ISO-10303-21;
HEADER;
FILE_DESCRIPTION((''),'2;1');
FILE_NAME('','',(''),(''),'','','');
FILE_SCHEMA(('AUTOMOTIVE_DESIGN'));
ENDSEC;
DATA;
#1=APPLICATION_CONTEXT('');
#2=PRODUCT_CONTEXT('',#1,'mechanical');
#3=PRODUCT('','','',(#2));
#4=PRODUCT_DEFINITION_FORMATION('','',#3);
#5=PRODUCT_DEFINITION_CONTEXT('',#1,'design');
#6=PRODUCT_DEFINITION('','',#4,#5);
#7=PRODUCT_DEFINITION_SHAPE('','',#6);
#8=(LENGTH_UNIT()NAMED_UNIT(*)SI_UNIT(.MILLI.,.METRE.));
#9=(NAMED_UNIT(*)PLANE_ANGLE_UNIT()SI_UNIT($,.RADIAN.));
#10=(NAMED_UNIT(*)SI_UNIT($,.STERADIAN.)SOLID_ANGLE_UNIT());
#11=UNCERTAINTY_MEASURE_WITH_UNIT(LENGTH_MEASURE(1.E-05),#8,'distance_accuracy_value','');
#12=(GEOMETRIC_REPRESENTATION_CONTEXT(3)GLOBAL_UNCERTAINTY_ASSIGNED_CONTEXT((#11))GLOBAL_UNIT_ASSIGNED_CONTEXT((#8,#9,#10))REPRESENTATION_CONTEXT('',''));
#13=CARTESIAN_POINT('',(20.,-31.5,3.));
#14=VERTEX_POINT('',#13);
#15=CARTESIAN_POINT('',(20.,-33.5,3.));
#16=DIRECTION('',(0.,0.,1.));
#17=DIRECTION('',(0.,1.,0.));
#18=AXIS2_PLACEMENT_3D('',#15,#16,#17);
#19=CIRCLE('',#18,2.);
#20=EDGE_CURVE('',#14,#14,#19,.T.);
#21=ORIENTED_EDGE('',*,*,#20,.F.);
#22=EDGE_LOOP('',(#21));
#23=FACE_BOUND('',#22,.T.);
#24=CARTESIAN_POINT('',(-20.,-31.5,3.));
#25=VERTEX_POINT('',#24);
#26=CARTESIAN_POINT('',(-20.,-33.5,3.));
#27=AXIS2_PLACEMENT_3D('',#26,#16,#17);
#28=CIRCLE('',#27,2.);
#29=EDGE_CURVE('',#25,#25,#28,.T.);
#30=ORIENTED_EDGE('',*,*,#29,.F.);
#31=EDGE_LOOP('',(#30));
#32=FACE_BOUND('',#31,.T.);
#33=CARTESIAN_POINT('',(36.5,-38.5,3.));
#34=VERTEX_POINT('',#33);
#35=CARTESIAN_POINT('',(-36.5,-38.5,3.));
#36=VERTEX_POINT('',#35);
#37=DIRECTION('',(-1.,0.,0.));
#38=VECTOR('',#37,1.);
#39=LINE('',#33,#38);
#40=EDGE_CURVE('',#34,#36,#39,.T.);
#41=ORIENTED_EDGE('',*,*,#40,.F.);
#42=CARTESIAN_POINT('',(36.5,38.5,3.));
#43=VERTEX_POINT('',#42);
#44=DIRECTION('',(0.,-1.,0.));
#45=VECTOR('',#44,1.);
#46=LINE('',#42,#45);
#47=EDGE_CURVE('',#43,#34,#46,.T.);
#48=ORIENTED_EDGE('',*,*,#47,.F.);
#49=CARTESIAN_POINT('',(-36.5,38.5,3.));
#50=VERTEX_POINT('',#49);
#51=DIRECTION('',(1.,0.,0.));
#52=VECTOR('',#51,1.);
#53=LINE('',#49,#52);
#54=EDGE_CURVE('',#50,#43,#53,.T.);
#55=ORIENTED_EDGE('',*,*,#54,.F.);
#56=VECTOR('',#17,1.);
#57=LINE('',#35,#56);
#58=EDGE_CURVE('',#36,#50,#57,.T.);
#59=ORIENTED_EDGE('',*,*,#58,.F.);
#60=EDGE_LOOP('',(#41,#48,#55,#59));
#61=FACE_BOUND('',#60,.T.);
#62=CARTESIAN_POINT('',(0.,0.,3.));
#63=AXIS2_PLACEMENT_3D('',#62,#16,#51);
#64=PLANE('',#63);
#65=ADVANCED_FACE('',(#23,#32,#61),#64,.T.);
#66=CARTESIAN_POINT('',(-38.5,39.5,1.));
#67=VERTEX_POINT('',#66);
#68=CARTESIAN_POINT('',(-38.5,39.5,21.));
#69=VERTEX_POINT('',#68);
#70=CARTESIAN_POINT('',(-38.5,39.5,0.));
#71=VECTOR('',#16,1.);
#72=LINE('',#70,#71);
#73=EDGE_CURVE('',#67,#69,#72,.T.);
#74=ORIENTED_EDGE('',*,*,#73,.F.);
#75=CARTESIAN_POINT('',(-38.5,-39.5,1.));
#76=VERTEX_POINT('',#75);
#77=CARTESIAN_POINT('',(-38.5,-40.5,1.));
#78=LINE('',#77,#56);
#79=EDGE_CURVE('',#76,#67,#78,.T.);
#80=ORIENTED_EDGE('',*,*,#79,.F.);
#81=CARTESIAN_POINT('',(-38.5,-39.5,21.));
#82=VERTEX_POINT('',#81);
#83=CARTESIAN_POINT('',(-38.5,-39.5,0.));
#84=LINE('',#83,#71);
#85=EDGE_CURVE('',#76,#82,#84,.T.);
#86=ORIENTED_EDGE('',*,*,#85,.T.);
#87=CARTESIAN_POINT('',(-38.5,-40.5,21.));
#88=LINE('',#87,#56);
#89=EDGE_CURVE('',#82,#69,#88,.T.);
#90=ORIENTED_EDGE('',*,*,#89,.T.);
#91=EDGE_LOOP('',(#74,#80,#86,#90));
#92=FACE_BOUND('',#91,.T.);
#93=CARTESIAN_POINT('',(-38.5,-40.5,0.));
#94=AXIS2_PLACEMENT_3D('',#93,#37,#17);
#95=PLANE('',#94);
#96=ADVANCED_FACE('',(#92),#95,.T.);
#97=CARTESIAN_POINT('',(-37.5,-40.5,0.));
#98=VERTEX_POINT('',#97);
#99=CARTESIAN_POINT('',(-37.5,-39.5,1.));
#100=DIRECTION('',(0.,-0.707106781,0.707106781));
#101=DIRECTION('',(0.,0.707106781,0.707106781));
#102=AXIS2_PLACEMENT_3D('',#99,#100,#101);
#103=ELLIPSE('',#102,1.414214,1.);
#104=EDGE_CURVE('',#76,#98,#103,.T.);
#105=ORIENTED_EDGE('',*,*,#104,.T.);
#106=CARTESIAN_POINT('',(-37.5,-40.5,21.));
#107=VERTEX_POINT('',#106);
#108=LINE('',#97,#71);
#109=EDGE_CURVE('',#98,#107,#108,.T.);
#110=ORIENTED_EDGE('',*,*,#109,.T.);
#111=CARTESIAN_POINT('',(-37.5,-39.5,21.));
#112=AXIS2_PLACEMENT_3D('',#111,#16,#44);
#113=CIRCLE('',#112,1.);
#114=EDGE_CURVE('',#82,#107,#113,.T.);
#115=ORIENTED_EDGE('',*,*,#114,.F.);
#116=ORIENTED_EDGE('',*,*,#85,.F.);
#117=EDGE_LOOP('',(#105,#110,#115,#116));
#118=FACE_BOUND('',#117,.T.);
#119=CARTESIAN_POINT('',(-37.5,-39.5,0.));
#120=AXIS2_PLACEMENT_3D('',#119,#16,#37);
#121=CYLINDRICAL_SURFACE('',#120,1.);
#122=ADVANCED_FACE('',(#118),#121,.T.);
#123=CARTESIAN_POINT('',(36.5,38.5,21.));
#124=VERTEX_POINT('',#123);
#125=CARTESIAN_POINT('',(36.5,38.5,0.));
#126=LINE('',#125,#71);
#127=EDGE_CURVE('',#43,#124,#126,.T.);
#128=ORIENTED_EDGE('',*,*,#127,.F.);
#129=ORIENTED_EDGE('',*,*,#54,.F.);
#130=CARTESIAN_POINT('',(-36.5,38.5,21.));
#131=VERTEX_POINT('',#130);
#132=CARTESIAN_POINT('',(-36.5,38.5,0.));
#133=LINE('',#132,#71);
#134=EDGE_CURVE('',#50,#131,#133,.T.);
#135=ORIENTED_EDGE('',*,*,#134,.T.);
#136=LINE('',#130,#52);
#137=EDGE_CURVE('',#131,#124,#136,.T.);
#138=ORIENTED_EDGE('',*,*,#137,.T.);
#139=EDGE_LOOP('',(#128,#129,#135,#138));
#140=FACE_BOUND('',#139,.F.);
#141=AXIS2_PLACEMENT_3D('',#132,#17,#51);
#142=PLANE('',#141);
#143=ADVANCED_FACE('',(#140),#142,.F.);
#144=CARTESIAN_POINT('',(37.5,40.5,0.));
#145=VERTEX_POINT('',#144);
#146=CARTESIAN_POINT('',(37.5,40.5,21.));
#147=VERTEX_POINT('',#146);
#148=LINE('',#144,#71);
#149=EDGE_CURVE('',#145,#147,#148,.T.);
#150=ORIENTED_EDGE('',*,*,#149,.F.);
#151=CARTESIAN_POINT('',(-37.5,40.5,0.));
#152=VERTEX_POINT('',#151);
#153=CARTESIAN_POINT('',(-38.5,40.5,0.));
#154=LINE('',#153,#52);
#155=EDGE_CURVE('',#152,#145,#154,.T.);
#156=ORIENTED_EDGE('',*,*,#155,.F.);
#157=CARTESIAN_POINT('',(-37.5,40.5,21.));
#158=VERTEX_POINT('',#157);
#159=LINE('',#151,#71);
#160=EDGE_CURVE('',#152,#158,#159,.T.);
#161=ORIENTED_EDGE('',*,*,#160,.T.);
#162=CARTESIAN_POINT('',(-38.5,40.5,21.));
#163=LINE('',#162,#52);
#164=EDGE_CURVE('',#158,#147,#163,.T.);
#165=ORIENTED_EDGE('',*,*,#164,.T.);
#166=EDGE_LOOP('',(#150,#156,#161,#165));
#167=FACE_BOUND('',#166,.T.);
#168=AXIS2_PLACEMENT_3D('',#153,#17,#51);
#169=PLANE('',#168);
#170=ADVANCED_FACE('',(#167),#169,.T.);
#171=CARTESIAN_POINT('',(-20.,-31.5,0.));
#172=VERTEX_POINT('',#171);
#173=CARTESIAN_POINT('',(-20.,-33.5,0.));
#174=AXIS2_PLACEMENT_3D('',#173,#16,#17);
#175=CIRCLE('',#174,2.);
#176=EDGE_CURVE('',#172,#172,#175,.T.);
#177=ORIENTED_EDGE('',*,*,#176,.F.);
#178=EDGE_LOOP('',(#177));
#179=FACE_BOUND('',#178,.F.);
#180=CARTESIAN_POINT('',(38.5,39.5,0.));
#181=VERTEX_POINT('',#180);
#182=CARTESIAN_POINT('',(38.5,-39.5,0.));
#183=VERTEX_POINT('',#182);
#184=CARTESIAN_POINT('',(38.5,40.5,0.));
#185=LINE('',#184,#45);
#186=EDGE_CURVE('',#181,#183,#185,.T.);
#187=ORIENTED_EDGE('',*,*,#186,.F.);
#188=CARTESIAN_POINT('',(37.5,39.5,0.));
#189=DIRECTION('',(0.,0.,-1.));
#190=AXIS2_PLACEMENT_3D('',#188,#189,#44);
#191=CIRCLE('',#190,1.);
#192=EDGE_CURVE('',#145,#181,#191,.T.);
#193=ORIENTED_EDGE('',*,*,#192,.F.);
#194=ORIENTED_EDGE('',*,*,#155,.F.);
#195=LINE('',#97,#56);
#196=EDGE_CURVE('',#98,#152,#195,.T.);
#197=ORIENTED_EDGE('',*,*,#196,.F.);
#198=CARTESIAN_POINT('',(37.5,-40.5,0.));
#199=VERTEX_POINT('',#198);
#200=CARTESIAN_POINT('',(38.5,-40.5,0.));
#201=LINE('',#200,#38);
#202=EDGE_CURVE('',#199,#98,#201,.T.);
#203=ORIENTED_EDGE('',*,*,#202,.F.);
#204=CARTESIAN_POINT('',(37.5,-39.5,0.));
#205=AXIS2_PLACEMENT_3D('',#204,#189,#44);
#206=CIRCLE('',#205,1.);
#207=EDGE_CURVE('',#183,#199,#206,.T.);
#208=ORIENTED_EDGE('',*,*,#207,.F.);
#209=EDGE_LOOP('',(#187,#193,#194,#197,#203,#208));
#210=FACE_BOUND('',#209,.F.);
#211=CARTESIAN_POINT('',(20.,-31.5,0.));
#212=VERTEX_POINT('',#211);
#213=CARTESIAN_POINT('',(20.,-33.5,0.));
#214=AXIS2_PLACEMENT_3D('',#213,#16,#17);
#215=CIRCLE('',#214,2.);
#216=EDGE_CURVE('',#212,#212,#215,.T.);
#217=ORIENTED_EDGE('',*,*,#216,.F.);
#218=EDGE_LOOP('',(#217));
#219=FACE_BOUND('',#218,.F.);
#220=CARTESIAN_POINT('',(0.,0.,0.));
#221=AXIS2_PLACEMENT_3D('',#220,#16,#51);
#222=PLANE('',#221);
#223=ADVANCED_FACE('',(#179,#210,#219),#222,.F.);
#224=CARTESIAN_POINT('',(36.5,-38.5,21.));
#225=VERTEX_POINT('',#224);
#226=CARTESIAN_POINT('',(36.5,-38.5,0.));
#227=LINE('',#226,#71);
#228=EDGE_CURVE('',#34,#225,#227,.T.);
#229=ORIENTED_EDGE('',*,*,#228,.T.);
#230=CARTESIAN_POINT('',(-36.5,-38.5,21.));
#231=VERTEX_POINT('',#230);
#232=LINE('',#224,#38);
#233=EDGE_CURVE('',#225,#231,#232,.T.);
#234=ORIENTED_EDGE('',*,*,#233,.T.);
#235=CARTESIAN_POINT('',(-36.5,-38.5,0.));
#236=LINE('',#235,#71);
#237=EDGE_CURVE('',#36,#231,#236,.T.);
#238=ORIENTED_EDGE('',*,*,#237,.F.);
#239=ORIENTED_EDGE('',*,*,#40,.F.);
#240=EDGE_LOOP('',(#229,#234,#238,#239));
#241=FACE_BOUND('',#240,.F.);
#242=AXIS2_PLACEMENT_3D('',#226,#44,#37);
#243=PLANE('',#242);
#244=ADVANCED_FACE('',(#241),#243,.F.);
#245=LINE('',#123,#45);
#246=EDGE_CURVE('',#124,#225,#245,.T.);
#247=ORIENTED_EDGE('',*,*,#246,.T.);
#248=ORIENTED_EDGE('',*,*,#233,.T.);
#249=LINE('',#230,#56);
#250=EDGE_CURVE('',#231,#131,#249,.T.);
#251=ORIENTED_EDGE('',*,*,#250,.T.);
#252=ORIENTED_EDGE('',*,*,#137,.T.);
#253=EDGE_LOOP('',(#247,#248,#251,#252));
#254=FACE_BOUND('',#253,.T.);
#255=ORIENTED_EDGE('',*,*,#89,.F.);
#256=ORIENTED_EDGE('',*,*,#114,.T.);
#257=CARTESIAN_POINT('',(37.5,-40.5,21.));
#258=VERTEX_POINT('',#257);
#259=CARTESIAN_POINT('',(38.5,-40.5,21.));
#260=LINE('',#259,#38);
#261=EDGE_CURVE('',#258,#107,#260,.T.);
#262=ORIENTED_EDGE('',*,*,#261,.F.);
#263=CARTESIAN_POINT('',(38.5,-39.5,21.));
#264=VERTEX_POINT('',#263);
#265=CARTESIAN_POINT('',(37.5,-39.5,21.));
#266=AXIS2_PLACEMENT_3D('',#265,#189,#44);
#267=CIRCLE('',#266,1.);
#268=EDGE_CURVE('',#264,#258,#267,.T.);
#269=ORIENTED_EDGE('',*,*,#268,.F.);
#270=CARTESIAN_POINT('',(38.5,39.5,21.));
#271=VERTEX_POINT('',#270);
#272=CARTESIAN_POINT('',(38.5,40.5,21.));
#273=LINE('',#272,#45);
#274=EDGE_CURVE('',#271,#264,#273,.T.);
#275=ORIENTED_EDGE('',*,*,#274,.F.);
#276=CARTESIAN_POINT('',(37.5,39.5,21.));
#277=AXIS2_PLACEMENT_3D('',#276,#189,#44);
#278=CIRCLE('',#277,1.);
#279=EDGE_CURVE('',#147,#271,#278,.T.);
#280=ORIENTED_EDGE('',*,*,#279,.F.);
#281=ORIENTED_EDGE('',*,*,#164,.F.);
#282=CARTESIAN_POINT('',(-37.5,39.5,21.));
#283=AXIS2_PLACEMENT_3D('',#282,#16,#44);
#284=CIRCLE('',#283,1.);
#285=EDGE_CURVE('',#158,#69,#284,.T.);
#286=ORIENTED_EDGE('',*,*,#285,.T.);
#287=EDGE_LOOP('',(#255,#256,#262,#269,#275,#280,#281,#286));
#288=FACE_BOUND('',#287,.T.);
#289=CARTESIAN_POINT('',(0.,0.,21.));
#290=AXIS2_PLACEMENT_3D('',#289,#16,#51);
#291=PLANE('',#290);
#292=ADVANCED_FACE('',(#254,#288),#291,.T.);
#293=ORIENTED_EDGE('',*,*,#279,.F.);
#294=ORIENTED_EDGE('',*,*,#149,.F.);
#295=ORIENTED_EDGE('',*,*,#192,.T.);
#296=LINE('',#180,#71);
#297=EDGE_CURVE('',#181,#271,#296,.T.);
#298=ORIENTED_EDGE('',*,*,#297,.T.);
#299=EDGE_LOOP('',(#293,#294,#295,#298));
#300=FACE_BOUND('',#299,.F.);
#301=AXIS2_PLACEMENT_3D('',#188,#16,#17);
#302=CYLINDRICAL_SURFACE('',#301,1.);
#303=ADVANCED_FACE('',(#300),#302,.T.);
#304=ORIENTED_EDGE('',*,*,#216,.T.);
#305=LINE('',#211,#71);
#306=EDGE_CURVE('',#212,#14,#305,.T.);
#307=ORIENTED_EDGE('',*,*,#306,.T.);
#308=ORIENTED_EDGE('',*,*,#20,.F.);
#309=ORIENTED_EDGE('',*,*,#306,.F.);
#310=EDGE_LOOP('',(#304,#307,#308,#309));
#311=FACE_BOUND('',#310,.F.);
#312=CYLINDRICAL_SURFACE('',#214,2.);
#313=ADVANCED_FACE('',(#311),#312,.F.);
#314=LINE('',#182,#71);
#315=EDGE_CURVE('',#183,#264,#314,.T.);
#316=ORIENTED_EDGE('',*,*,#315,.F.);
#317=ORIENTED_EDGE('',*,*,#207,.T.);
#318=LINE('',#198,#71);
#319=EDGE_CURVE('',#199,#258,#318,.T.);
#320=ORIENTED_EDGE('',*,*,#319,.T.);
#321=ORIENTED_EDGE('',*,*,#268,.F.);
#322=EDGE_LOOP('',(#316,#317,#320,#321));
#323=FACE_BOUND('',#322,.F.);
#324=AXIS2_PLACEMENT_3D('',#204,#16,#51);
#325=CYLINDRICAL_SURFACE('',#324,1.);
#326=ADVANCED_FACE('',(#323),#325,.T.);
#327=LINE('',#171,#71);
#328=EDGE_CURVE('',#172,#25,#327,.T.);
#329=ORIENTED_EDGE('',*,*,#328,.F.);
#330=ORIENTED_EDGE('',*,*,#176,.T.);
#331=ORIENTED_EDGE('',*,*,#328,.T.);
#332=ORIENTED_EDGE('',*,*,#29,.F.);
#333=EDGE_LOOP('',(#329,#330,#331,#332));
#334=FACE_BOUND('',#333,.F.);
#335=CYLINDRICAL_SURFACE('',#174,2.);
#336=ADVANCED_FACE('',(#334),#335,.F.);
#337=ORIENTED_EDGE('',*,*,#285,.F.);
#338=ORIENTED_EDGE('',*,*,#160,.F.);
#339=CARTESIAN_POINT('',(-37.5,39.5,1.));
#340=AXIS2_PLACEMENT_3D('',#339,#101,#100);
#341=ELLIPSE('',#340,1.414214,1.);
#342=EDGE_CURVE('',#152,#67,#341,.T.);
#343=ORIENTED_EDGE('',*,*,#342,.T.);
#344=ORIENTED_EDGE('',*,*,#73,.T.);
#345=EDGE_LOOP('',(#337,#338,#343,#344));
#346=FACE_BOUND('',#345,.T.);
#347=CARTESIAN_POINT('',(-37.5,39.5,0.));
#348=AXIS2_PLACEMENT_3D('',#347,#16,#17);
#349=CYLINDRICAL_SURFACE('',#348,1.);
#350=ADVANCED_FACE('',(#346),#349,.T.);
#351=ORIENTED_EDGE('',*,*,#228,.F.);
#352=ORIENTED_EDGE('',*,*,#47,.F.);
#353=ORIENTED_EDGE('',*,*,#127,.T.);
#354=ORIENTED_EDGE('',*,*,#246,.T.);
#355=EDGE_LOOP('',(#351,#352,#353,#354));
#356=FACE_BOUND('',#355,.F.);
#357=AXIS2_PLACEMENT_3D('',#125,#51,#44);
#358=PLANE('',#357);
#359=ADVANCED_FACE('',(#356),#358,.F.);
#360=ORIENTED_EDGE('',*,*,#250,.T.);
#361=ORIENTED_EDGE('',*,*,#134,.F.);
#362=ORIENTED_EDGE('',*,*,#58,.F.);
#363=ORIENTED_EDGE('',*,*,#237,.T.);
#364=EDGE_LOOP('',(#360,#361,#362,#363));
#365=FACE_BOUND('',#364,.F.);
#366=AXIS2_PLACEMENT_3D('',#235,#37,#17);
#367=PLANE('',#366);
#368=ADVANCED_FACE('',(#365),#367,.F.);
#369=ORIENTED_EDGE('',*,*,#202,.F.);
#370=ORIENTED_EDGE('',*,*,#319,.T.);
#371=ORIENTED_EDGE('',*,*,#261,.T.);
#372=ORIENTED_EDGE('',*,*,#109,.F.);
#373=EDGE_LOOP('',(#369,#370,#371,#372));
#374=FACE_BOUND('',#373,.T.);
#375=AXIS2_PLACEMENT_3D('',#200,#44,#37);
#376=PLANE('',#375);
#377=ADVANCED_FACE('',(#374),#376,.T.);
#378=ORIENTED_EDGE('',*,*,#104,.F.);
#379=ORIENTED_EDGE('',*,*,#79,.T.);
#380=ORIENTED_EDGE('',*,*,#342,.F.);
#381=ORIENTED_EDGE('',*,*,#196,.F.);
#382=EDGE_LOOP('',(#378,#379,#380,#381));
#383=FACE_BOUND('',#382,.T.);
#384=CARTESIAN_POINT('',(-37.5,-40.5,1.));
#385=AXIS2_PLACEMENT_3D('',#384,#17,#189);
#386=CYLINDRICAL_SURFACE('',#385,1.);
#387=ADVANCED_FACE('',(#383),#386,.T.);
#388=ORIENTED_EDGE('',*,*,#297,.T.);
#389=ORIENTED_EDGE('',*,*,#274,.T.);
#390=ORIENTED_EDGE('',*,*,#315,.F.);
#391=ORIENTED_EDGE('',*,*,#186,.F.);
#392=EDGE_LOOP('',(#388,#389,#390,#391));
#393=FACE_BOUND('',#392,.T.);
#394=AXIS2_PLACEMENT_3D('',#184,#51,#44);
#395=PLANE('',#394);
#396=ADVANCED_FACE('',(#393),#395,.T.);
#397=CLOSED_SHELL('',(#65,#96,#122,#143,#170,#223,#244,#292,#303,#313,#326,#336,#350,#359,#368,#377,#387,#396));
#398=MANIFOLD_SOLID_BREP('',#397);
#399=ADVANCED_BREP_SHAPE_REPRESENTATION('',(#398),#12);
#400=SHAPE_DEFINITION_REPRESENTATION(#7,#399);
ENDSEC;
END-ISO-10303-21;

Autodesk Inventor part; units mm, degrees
ref_plane "YZ Plane" through (0, 0, 0) normal (1, 0, 0) x (0, 1, 0)
ref_plane "XZ Plane" through (0, 0, 0) normal (0, 1, 0) x (-1, 0, 0)
ref_plane "XY Plane" through (0, 0, 0) normal (0, 0, 1) x (1, 0, 0)
sketch "Sketch_BoxBase" plane through (0, 0, 0) normal (0, 0, 1) x (1, 0, 0)
  line L0 (0, 56.7) -> (0, -56.7) construction
  line L1 (-53.9, 0) -> (53.9, 0) construction
  line L2 (-36.5, 38.5) -> (36.5, 38.5)
  line L3 (36.5, 38.5) -> (36.5, -38.5)
  line L4 (36.5, -38.5) -> (-36.5, -38.5)
  line L5 (-36.5, -38.5) -> (-36.5, 38.5)
  line L6 (-36.5, 38.5) -> (36.5, -38.5) construction
  line L7 (36.5, 38.5) -> (-36.5, -38.5) construction
  line L8 (-38.5, 40.5) -> (38.5, 40.5)
  line L9 (38.5, 40.5) -> (38.5, -40.5)
  line L10 (38.5, -40.5) -> (-38.5, -40.5)
  line L11 (-38.5, -40.5) -> (-38.5, 40.5)
  line L12 (-38.5, 40.5) -> (38.5, -40.5) construction
  line L13 (38.5, 40.5) -> (-38.5, -40.5) construction
  point P0 (0, 0)
  point P1 (-20, -33.5)
  point P2 (20, -33.5)
  dimension "d4" = 73
  dimension "d5" = 77
  dimension "d6" = 77
  dimension "d7" = 81
  dimension "d23" = 40
  dimension "d24" = 20
  dimension "d25" = 7
  dimension "d26" = 7
extrude "Extr_Edge" add sketch "Sketch_BoxBase" along normal blind 21
extrude "Extr_Bottom" add sketch "Sketch_BoxBase" along normal blind 3 contours L2 L3 L4 L5
hole "Hole2" at (-20, -33.5, 0) at (20, -33.5, 0) direction (0, 0, 1) diameter 4 end through all
fillet "Fillet1" radius 1 1 edges at (38.5, 40.5, 10.5)
fillet "Fillet2" radius 1 4 edges at (-38.5, 40.5, 10.5) (-38.5, -40.5, 10.5) (38.5, -40.5, 10.5) (-38.5, 0, 0)
equation "\"d24\" = 0.5 * d23"
equation "\"d26\" = d25"
properties part number "Enclosure"
